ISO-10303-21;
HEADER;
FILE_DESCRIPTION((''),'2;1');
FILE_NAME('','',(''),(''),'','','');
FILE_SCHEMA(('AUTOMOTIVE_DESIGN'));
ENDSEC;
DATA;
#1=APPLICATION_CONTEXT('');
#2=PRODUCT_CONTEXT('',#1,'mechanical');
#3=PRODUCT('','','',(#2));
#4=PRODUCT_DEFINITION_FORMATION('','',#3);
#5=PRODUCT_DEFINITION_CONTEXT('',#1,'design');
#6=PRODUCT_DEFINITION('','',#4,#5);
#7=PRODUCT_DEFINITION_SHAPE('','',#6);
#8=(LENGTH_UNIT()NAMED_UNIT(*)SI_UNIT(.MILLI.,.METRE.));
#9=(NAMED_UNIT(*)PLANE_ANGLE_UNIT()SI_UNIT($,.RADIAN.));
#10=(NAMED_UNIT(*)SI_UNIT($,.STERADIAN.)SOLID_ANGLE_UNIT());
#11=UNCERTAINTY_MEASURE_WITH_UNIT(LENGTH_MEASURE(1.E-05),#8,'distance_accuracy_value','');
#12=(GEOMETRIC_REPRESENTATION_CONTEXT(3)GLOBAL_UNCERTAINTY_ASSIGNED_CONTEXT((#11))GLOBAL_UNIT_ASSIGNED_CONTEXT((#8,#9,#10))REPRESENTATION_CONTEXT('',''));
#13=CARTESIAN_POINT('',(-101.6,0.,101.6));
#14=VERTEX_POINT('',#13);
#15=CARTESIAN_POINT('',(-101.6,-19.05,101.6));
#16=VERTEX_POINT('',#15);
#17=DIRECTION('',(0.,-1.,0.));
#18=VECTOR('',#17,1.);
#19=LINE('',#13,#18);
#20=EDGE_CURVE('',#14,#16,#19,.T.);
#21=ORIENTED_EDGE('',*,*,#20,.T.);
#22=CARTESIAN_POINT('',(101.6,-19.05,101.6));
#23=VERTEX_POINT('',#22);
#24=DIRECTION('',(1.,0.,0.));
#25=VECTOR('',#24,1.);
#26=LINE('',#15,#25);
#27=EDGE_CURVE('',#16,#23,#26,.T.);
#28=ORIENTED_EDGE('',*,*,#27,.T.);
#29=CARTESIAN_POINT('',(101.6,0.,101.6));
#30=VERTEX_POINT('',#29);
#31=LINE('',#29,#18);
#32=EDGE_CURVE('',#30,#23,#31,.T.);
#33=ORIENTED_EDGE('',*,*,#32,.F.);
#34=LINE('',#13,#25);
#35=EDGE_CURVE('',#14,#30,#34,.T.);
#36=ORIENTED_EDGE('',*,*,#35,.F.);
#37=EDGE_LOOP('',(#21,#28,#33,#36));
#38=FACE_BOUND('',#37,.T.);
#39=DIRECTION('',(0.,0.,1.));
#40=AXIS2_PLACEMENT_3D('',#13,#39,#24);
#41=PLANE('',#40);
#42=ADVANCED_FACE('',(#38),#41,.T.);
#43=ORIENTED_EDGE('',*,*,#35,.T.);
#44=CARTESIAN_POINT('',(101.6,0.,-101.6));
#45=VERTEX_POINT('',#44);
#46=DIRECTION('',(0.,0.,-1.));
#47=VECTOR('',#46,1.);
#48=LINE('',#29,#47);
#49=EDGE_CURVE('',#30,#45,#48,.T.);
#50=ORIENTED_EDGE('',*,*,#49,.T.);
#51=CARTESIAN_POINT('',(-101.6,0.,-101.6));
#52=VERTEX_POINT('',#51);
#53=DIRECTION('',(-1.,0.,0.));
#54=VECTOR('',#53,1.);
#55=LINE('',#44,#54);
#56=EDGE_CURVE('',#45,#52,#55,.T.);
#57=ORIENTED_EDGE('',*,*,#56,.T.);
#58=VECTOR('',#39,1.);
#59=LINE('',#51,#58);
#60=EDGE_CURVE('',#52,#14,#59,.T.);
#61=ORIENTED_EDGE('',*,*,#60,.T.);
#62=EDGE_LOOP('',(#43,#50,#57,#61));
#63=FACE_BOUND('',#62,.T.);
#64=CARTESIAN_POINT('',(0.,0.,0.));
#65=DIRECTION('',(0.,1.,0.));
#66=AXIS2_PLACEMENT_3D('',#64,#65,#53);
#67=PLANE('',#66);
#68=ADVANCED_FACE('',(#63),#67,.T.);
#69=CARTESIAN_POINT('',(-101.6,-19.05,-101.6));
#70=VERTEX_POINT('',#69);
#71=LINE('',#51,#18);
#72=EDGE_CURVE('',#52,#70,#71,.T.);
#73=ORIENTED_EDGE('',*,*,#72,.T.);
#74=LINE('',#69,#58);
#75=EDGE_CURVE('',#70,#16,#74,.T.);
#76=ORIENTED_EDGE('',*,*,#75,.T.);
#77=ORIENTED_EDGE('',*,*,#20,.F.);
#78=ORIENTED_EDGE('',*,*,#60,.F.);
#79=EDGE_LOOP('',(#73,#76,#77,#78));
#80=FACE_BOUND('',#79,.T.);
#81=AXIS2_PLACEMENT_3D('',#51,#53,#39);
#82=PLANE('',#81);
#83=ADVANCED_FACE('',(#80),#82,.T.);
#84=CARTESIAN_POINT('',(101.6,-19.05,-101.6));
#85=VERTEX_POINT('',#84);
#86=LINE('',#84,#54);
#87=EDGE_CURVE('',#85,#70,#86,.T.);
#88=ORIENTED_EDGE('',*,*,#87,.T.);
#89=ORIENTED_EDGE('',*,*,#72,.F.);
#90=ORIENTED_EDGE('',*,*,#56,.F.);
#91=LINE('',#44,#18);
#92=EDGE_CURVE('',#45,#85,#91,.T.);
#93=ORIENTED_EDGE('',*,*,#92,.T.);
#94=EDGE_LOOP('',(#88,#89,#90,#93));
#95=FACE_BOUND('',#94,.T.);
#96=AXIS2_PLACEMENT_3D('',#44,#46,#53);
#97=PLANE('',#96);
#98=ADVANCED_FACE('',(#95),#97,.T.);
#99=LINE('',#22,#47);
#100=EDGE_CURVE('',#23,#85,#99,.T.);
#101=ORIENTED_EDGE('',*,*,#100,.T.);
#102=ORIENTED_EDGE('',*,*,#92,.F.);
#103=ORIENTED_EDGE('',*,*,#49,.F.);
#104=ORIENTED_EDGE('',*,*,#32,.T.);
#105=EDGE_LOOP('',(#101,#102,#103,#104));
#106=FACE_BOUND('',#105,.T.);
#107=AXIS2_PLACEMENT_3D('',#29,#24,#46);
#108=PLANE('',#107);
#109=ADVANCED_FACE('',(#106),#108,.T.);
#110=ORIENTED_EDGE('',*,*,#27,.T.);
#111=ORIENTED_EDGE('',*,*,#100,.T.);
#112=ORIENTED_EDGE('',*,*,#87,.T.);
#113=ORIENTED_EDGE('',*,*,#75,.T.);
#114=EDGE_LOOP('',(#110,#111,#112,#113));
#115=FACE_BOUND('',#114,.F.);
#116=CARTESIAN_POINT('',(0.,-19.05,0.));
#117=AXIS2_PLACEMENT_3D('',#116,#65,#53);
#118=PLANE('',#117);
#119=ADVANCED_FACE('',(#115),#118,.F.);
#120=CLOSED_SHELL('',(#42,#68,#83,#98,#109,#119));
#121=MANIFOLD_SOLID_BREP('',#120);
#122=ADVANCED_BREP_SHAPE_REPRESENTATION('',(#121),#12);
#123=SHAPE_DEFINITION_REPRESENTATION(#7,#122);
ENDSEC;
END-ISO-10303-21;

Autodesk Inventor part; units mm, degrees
ref_plane "XZ Plane" through (0, 0, 0) normal (0, 1, 0) x (-1, 0, 0)
ref_plane "XY Plane" through (0, 0, 0) normal (0, 0, 1) x (1, 0, 0)
sketch "Sketch1" plane through (0, 0, 0) normal (0, 1, 0) x (-1, 0, 0)
  line L0 (101.6, 101.6) -> (-101.6, 101.6)
  line L1 (-101.6, 101.6) -> (-101.6, -101.6)
  line L2 (-101.6, -101.6) -> (101.6, -101.6)
  line L3 (101.6, -101.6) -> (101.6, 101.6)
  line L4 (101.6, 101.6) -> (-101.6, -101.6) construction
  line L5 (-101.6, 101.6) -> (101.6, -101.6) construction
  point P0 (0, 0)
  dimension "d0" = 203.2
  dimension "d1" = 203.2
extrude "Extrusion1" add sketch "Sketch1" against normal blind 19.05
properties part number "woodForkSupportBase"
